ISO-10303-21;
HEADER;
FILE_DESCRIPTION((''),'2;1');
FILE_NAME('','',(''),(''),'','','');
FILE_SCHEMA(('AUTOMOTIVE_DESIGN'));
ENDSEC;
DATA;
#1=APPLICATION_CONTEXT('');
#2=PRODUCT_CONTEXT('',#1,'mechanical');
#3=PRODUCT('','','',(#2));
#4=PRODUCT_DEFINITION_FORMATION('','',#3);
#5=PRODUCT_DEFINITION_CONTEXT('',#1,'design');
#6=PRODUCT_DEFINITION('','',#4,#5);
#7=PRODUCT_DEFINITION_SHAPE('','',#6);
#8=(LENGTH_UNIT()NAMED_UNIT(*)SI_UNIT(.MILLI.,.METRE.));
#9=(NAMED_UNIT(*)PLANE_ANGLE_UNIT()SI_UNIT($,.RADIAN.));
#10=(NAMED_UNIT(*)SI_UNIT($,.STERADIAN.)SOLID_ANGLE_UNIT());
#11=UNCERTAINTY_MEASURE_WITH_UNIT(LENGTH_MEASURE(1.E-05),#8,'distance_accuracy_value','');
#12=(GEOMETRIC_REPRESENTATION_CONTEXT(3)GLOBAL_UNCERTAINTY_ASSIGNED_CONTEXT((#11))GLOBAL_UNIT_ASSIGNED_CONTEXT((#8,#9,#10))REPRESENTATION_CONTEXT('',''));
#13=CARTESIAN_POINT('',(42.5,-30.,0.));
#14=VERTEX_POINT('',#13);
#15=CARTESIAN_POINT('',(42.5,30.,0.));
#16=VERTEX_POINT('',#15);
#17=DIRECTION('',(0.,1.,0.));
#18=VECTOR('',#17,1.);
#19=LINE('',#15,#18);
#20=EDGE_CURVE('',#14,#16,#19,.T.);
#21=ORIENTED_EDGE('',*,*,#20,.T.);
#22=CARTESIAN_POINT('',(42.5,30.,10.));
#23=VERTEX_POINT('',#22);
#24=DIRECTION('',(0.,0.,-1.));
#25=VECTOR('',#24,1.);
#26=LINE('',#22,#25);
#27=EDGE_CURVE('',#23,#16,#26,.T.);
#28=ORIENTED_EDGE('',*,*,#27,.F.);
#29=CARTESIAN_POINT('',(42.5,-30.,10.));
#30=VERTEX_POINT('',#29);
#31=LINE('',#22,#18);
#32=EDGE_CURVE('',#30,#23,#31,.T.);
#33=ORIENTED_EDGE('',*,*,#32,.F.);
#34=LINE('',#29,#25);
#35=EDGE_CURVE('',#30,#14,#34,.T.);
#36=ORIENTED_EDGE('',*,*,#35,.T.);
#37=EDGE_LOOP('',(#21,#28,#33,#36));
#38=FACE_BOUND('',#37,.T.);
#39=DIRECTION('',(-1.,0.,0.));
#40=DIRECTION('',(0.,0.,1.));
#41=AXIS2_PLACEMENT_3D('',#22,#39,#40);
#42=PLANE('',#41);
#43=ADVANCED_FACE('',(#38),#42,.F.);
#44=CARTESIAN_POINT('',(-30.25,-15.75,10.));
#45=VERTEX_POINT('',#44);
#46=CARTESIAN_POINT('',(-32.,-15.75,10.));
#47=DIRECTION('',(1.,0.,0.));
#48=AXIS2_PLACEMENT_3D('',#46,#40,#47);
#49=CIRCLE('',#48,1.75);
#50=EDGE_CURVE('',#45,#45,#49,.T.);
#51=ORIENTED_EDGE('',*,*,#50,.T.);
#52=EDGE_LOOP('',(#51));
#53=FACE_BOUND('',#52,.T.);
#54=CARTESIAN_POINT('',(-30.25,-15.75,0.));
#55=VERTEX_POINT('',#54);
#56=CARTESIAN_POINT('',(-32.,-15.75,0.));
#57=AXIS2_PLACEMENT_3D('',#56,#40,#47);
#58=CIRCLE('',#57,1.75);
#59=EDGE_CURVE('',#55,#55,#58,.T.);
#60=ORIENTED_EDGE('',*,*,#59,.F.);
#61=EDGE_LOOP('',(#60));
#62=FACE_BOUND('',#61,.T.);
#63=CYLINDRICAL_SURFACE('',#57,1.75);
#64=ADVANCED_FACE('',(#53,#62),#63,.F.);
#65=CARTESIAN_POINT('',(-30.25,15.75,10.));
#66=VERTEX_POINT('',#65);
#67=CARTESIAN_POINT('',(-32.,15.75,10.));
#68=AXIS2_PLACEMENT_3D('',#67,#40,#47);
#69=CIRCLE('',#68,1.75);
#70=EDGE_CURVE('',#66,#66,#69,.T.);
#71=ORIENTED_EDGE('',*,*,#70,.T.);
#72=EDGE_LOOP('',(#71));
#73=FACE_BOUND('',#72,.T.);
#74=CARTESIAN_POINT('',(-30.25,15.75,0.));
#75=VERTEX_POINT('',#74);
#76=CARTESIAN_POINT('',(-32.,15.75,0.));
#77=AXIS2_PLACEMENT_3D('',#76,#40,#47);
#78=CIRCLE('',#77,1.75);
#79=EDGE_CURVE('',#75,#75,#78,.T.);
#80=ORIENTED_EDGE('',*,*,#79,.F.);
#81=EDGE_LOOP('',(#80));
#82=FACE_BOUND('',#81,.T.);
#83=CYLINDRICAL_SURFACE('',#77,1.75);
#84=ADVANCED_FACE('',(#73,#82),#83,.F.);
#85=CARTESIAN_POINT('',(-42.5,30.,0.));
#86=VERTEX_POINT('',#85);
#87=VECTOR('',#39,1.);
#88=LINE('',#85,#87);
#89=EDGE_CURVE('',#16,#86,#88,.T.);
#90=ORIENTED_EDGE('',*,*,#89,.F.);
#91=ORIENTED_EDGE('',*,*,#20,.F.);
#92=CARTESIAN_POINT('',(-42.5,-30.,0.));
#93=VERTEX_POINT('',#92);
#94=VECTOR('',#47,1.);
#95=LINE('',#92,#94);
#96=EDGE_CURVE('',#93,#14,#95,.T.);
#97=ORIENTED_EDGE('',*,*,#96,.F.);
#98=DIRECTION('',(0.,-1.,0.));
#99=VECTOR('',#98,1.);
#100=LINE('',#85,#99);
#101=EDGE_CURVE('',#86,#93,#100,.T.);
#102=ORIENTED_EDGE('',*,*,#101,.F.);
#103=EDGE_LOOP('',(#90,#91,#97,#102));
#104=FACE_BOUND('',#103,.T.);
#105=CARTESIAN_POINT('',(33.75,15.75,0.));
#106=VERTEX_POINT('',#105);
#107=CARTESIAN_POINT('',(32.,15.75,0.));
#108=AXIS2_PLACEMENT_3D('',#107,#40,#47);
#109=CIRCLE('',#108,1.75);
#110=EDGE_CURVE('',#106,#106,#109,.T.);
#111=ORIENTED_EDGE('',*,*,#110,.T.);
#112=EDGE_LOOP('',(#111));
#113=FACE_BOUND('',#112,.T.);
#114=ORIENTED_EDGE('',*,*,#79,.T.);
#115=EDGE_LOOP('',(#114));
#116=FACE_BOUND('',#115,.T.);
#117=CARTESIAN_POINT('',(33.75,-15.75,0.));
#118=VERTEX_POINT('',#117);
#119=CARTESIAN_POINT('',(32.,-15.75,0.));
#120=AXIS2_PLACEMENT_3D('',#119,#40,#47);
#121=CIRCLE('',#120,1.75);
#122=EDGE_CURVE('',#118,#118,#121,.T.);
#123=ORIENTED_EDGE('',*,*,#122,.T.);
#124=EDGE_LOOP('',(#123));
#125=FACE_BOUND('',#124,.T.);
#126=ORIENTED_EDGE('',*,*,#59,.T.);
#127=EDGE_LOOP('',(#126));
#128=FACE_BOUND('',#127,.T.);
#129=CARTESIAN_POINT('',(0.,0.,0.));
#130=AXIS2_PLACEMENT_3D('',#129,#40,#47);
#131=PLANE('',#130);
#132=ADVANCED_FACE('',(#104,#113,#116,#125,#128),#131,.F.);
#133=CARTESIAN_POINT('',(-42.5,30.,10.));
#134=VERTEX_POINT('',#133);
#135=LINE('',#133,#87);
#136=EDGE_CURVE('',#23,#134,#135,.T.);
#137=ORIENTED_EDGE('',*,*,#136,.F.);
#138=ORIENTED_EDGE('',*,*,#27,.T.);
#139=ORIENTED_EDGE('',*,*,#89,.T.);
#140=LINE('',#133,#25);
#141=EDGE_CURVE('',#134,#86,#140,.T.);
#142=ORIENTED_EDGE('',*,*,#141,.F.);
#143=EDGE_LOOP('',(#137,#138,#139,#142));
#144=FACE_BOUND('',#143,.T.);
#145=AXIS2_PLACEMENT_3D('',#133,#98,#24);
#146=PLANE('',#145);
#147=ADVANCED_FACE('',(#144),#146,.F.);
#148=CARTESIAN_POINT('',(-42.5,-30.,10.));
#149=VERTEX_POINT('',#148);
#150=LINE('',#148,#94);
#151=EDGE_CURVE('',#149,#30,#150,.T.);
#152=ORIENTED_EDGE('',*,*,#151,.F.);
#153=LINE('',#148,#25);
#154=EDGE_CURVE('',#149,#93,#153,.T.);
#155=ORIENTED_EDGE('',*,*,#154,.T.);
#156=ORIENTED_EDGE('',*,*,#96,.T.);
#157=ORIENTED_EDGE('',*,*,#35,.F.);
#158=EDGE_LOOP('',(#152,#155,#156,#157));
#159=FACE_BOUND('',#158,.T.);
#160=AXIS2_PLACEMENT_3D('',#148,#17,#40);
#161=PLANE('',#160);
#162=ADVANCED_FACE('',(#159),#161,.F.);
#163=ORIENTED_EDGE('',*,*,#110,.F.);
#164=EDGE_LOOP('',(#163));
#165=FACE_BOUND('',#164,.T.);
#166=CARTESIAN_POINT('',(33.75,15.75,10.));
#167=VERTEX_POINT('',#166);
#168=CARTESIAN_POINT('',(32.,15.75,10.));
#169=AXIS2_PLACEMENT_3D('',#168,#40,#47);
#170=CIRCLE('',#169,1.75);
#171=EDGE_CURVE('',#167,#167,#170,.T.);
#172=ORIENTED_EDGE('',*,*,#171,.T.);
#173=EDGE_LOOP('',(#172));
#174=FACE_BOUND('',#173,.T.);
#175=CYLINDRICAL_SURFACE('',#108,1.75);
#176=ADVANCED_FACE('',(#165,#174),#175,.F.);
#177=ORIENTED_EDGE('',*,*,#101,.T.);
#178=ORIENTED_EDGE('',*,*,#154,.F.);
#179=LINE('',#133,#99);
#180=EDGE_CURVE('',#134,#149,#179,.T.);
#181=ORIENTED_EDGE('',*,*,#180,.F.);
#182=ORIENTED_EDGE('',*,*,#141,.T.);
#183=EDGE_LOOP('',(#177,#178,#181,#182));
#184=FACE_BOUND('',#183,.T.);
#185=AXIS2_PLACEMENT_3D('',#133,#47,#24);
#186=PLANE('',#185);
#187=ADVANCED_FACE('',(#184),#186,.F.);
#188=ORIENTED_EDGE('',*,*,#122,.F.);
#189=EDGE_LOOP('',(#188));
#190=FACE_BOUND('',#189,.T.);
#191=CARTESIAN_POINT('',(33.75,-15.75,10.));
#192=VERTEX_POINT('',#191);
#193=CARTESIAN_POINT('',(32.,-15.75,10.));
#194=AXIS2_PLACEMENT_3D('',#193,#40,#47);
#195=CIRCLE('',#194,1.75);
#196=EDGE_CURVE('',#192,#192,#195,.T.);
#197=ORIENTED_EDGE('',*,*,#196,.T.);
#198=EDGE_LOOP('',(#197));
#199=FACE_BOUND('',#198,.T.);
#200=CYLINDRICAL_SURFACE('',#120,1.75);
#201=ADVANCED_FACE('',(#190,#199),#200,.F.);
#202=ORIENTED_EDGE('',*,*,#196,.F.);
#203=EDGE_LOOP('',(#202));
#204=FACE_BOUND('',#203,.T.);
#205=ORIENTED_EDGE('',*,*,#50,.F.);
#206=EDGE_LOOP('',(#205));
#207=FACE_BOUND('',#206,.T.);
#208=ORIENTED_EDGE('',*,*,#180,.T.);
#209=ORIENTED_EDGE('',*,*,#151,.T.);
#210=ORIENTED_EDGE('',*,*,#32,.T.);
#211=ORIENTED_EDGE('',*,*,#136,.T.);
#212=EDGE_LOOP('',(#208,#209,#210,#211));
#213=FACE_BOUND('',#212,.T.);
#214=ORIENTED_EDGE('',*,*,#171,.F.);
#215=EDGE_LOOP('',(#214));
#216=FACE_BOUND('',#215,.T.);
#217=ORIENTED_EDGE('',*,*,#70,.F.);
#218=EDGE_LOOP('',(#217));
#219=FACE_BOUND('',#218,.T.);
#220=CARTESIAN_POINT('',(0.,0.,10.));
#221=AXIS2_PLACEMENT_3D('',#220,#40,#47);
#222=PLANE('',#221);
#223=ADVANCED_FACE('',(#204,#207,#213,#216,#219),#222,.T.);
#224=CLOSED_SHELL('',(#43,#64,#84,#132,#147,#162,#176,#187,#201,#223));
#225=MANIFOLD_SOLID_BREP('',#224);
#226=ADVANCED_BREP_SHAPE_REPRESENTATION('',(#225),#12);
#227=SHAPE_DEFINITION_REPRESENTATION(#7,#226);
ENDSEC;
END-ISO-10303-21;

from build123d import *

# Parameters (mm, degrees)
SKETCH_1_W          = 85
SKETCH_1_H          = 60
EXTRUDE_1_DEPTH     = 10
SKETCH_2_R          = 1.75
CUT_EXTRUDE_1_DEPTH = 10


with BuildPart() as part:
    # 草图1 → 凸台-拉伸1 (new body)
    with BuildSketch(Plane.XY):
        Rectangle(SKETCH_1_W, SKETCH_1_H)
    extrude(amount=EXTRUDE_1_DEPTH)

    # 草图2 → 切除-拉伸1 (cut)
    with BuildSketch(Plane.XY.offset(10)):
        with Locations((-32, 15.75)):
            Circle(SKETCH_2_R)
        with Locations((-32, -15.75)):
            Circle(SKETCH_2_R)
        with Locations((32, 15.75)):
            Circle(SKETCH_2_R)
        with Locations((32, -15.75)):
            Circle(SKETCH_2_R)
    extrude(amount=-CUT_EXTRUDE_1_DEPTH, mode=Mode.SUBTRACT)


solid = part.part
